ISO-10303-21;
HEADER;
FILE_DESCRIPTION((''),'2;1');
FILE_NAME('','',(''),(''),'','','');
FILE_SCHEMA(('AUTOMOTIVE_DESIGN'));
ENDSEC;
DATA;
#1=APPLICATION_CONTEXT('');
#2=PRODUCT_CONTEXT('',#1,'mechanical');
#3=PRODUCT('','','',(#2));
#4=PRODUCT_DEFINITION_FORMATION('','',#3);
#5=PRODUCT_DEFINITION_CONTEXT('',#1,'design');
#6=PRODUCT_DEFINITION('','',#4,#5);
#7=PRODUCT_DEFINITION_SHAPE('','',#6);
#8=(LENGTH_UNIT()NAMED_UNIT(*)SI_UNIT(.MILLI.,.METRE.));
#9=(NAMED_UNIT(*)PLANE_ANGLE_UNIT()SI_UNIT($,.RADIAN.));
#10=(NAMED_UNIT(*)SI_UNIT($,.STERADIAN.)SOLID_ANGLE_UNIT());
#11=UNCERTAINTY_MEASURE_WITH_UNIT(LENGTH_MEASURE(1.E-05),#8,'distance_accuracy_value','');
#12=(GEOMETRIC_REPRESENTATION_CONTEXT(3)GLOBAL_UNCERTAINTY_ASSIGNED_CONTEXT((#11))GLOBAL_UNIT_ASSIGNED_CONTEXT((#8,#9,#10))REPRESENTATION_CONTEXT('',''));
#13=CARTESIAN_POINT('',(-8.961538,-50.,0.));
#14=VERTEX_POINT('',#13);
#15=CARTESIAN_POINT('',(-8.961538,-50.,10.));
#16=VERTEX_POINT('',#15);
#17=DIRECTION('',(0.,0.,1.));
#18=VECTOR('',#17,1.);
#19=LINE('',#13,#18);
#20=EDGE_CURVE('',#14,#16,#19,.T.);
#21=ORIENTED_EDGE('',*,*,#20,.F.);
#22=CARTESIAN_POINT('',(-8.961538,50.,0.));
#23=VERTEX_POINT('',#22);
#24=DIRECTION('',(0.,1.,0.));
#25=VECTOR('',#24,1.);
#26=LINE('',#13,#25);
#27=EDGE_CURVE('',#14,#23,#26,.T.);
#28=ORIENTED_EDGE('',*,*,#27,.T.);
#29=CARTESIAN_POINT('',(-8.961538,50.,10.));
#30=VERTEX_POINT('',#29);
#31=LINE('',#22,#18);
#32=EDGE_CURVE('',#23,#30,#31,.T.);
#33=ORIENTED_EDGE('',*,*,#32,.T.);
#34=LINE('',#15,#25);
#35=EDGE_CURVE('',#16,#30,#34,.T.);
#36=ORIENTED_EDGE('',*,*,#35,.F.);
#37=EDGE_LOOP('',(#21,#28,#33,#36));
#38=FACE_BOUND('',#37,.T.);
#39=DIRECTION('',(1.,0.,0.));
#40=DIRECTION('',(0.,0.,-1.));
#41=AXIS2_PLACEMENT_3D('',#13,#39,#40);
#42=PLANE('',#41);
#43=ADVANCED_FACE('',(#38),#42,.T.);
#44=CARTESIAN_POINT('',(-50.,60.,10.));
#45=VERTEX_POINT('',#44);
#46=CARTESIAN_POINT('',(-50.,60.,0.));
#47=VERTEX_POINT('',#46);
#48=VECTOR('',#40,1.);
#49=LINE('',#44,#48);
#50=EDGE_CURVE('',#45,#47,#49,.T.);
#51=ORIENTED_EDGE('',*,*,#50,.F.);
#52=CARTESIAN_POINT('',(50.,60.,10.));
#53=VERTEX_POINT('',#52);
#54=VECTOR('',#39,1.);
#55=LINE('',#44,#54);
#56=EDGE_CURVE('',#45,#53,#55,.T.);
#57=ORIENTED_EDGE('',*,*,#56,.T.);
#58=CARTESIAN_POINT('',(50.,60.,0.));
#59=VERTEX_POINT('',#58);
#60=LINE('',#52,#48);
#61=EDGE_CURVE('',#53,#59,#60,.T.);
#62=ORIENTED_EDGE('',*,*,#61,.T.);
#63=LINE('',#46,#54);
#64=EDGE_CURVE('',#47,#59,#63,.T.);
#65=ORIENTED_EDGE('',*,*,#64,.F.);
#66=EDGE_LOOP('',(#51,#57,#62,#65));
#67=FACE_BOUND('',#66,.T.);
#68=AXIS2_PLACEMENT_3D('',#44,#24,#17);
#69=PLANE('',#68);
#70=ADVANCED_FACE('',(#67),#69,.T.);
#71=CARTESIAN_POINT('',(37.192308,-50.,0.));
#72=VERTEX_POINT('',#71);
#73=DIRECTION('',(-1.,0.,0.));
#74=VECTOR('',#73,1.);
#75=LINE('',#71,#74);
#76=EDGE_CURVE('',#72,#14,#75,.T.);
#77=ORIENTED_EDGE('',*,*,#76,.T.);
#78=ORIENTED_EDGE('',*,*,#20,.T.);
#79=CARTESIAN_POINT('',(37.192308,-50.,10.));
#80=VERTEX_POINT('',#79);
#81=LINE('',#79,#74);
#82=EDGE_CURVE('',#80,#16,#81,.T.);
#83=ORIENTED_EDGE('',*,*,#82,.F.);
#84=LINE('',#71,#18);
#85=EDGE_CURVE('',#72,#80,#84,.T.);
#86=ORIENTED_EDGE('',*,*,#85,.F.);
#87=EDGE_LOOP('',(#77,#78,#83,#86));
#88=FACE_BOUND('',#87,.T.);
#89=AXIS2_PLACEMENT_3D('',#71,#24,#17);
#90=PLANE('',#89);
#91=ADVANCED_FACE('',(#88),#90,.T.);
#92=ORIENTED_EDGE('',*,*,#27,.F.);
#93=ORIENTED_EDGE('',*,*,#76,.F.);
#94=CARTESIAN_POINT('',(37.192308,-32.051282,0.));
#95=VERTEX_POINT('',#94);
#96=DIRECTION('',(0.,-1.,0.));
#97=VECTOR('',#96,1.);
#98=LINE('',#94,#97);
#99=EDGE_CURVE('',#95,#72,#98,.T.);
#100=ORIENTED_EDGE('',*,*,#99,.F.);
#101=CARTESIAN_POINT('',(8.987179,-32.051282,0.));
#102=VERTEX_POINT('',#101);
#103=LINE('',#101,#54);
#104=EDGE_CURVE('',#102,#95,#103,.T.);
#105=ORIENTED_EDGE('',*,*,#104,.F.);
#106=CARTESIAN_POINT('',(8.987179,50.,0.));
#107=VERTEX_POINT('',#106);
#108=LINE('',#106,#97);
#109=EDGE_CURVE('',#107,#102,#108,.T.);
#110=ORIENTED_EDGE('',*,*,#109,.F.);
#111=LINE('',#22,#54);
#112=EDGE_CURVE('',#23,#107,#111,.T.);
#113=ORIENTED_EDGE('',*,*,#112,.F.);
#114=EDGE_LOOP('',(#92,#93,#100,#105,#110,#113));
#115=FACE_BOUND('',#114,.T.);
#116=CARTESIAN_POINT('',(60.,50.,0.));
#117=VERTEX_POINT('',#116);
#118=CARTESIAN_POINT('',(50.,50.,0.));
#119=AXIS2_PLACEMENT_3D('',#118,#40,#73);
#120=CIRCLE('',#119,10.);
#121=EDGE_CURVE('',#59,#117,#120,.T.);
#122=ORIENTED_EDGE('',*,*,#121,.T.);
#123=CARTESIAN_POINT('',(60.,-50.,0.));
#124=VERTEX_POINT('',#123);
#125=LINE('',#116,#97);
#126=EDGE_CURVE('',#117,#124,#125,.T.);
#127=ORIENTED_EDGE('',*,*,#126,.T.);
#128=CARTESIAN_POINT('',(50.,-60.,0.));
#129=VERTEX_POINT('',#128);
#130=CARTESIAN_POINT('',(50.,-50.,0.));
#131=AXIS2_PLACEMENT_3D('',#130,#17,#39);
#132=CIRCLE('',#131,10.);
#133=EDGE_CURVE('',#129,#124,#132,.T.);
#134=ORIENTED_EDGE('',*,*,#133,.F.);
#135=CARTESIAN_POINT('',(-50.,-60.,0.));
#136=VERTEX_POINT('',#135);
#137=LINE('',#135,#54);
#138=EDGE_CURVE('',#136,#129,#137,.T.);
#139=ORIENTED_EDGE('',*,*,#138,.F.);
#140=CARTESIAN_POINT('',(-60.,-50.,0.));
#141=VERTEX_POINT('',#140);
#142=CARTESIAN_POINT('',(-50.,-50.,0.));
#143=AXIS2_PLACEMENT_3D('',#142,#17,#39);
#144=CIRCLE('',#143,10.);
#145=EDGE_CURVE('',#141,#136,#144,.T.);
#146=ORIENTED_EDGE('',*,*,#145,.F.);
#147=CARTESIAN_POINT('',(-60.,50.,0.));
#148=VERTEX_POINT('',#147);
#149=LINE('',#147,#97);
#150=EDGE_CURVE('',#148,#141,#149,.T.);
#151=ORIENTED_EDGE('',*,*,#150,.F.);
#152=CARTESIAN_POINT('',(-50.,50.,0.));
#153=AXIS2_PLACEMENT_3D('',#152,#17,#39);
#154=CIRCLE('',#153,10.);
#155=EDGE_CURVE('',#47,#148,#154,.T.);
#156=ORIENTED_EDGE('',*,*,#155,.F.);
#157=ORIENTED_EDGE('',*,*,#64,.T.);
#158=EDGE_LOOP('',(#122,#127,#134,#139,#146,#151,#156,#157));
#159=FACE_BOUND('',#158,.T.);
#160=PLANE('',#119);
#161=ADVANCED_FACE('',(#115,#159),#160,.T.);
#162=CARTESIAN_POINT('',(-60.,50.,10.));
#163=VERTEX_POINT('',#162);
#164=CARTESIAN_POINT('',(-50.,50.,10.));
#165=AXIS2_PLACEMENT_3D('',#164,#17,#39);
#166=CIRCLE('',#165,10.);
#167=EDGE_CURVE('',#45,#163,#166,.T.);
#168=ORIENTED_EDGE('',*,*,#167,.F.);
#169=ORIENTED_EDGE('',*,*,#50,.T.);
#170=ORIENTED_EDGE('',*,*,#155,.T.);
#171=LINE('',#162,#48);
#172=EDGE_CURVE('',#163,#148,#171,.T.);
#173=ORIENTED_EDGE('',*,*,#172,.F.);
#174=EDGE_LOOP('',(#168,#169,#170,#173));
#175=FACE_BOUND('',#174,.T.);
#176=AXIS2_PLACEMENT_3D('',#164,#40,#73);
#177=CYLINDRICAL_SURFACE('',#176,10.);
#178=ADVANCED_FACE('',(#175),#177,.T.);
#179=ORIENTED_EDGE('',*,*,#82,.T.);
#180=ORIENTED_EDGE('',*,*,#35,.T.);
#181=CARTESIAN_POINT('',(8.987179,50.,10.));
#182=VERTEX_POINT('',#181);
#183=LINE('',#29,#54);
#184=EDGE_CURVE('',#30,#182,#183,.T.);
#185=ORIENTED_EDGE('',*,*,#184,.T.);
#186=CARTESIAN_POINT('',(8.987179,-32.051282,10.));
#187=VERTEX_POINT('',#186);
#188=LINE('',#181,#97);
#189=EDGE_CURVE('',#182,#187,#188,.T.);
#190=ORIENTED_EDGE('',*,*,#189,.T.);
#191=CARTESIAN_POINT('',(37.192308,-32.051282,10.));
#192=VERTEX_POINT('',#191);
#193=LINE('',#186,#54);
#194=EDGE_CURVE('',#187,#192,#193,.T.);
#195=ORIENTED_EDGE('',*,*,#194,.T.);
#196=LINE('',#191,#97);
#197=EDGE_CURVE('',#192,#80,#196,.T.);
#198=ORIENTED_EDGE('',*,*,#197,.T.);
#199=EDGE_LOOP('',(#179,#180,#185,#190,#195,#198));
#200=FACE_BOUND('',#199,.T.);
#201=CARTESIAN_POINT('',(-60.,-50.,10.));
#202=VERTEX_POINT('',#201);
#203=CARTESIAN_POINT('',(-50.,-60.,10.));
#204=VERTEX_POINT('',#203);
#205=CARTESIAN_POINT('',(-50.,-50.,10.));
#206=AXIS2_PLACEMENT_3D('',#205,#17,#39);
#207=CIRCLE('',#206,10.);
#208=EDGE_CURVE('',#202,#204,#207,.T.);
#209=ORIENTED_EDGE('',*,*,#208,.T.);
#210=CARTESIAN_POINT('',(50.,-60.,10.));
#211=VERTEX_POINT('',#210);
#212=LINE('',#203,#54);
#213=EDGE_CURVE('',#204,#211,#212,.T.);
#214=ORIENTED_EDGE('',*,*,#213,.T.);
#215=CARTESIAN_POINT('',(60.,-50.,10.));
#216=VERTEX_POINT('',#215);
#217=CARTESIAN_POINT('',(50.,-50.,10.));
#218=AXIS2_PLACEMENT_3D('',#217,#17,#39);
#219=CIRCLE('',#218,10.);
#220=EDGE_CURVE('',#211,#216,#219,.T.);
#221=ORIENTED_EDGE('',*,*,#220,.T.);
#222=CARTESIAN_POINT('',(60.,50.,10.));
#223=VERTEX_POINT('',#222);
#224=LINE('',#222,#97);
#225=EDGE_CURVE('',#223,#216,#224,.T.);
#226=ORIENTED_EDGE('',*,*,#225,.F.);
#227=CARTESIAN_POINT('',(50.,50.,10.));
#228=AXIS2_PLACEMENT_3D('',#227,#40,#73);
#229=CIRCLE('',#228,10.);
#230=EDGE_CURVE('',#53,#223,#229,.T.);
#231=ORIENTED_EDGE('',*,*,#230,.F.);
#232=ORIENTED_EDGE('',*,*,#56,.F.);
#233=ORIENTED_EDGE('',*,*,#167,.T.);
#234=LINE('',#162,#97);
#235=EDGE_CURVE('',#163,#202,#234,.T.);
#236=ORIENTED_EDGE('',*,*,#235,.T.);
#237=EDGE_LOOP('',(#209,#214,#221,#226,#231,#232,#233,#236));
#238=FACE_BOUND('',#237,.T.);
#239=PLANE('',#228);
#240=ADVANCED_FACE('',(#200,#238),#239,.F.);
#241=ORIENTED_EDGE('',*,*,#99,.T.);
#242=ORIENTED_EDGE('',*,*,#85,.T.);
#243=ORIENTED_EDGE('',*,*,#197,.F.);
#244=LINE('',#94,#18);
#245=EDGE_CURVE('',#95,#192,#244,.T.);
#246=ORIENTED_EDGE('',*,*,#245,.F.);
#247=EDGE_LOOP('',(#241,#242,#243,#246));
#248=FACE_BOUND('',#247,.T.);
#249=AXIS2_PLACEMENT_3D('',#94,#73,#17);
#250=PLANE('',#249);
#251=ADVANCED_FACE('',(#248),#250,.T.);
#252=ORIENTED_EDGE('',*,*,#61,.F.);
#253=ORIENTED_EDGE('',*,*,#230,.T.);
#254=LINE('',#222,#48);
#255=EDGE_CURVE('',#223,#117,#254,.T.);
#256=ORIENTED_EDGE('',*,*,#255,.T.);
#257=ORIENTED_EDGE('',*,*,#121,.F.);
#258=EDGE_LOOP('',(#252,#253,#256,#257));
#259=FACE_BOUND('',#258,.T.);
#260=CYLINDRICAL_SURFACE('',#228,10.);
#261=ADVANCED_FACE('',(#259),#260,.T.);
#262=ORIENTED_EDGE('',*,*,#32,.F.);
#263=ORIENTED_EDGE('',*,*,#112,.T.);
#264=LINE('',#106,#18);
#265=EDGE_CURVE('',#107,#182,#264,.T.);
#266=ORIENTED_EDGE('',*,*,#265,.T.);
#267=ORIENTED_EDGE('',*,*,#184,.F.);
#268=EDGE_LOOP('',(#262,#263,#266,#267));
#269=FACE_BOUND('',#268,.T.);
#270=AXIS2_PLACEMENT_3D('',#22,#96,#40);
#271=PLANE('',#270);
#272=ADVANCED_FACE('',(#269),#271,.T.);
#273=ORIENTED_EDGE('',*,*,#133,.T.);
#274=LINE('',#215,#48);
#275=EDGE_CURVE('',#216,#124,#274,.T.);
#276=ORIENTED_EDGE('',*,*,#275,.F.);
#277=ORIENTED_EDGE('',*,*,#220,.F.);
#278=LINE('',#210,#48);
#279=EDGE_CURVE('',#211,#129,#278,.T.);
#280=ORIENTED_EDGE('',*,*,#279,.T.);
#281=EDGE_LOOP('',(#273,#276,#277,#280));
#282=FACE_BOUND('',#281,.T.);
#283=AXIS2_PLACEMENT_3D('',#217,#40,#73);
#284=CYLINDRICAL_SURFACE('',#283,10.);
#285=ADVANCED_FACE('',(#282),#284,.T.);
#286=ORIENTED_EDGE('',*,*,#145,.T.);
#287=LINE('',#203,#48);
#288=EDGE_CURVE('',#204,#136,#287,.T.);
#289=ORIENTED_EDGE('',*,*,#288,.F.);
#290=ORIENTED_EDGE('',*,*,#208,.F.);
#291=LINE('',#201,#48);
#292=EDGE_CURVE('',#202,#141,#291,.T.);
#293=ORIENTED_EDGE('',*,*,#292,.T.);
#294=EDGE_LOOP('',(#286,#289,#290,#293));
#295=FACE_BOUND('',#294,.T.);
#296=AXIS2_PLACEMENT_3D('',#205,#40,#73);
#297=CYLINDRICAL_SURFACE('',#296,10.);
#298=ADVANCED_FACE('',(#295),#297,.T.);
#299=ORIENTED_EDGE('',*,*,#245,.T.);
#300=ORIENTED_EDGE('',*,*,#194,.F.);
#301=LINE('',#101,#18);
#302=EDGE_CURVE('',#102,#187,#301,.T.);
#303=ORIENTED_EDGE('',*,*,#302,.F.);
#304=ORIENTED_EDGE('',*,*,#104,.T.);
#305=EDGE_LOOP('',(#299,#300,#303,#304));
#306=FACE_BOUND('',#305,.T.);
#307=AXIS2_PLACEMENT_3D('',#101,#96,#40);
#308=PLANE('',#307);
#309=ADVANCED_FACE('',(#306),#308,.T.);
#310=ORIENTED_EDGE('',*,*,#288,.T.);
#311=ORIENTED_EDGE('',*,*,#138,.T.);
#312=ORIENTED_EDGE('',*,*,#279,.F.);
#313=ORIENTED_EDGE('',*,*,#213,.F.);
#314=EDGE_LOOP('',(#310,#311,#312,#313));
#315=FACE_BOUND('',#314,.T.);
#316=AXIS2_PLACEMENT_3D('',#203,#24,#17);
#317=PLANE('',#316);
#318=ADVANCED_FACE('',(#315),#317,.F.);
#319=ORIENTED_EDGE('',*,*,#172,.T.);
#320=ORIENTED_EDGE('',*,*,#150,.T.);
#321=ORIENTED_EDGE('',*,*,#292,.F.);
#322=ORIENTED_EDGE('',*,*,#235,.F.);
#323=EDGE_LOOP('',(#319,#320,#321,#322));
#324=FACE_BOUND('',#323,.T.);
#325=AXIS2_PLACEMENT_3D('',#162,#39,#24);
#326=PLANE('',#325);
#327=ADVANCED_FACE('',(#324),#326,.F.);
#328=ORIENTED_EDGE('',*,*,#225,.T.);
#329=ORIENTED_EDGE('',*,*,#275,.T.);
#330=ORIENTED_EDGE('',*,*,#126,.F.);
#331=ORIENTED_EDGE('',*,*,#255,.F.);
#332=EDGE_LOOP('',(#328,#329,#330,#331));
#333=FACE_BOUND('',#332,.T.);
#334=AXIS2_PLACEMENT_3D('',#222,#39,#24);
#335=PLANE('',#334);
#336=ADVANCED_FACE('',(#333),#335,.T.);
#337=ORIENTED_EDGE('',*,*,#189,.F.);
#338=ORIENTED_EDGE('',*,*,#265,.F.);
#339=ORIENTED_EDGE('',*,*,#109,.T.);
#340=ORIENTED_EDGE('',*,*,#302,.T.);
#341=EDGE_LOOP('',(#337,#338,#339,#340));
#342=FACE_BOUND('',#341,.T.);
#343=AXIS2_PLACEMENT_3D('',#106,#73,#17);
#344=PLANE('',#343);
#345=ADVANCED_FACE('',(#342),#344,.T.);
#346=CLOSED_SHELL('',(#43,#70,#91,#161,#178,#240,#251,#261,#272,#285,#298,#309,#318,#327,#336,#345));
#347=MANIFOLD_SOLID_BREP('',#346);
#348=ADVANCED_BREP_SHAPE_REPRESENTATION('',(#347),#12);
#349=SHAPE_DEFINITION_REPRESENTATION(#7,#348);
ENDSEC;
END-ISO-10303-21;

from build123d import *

# Parameters (mm, degrees)
BOSS_EXTRUDE1_DEPTH = 10
CUT_EXTRUDE25_DEPTH = 10


with BuildPart() as part:
    # Sketch1 → Boss-Extrude1 (new body)
    with BuildSketch(Plane.XY):
        with BuildLine():
            Line((-50, 60), (50, 60))
            ThreePointArc((50, 60), (57.071067812, 57.071067812), (60, 50))
            Line((60, 50), (60, -50))
            ThreePointArc((60, -50), (57.071067812, -57.071067812), (50, -60))
            Line((50, -60), (-50, -60))
            ThreePointArc((-50, -60), (-57.071067812, -57.071067812), (-60, -50))
            Line((-60, -50), (-60, 50))
            ThreePointArc((-60, 50), (-57.071067812, 57.071067812), (-50, 60))
        make_face()
    extrude(amount=BOSS_EXTRUDE1_DEPTH)

    # Sketch2 → Cut-Extrude25 (cut)
    with BuildSketch(Plane.XY.offset(10)):
        Polygon((-8.961538462, 50), (8.987179487, 50), (8.987179487, -32.051282051), (37.192307692, -32.051282051), (37.192307692, -50), (-8.961538462, -50), align=None)
    extrude(amount=-CUT_EXTRUDE25_DEPTH, mode=Mode.SUBTRACT)


solid = part.part
